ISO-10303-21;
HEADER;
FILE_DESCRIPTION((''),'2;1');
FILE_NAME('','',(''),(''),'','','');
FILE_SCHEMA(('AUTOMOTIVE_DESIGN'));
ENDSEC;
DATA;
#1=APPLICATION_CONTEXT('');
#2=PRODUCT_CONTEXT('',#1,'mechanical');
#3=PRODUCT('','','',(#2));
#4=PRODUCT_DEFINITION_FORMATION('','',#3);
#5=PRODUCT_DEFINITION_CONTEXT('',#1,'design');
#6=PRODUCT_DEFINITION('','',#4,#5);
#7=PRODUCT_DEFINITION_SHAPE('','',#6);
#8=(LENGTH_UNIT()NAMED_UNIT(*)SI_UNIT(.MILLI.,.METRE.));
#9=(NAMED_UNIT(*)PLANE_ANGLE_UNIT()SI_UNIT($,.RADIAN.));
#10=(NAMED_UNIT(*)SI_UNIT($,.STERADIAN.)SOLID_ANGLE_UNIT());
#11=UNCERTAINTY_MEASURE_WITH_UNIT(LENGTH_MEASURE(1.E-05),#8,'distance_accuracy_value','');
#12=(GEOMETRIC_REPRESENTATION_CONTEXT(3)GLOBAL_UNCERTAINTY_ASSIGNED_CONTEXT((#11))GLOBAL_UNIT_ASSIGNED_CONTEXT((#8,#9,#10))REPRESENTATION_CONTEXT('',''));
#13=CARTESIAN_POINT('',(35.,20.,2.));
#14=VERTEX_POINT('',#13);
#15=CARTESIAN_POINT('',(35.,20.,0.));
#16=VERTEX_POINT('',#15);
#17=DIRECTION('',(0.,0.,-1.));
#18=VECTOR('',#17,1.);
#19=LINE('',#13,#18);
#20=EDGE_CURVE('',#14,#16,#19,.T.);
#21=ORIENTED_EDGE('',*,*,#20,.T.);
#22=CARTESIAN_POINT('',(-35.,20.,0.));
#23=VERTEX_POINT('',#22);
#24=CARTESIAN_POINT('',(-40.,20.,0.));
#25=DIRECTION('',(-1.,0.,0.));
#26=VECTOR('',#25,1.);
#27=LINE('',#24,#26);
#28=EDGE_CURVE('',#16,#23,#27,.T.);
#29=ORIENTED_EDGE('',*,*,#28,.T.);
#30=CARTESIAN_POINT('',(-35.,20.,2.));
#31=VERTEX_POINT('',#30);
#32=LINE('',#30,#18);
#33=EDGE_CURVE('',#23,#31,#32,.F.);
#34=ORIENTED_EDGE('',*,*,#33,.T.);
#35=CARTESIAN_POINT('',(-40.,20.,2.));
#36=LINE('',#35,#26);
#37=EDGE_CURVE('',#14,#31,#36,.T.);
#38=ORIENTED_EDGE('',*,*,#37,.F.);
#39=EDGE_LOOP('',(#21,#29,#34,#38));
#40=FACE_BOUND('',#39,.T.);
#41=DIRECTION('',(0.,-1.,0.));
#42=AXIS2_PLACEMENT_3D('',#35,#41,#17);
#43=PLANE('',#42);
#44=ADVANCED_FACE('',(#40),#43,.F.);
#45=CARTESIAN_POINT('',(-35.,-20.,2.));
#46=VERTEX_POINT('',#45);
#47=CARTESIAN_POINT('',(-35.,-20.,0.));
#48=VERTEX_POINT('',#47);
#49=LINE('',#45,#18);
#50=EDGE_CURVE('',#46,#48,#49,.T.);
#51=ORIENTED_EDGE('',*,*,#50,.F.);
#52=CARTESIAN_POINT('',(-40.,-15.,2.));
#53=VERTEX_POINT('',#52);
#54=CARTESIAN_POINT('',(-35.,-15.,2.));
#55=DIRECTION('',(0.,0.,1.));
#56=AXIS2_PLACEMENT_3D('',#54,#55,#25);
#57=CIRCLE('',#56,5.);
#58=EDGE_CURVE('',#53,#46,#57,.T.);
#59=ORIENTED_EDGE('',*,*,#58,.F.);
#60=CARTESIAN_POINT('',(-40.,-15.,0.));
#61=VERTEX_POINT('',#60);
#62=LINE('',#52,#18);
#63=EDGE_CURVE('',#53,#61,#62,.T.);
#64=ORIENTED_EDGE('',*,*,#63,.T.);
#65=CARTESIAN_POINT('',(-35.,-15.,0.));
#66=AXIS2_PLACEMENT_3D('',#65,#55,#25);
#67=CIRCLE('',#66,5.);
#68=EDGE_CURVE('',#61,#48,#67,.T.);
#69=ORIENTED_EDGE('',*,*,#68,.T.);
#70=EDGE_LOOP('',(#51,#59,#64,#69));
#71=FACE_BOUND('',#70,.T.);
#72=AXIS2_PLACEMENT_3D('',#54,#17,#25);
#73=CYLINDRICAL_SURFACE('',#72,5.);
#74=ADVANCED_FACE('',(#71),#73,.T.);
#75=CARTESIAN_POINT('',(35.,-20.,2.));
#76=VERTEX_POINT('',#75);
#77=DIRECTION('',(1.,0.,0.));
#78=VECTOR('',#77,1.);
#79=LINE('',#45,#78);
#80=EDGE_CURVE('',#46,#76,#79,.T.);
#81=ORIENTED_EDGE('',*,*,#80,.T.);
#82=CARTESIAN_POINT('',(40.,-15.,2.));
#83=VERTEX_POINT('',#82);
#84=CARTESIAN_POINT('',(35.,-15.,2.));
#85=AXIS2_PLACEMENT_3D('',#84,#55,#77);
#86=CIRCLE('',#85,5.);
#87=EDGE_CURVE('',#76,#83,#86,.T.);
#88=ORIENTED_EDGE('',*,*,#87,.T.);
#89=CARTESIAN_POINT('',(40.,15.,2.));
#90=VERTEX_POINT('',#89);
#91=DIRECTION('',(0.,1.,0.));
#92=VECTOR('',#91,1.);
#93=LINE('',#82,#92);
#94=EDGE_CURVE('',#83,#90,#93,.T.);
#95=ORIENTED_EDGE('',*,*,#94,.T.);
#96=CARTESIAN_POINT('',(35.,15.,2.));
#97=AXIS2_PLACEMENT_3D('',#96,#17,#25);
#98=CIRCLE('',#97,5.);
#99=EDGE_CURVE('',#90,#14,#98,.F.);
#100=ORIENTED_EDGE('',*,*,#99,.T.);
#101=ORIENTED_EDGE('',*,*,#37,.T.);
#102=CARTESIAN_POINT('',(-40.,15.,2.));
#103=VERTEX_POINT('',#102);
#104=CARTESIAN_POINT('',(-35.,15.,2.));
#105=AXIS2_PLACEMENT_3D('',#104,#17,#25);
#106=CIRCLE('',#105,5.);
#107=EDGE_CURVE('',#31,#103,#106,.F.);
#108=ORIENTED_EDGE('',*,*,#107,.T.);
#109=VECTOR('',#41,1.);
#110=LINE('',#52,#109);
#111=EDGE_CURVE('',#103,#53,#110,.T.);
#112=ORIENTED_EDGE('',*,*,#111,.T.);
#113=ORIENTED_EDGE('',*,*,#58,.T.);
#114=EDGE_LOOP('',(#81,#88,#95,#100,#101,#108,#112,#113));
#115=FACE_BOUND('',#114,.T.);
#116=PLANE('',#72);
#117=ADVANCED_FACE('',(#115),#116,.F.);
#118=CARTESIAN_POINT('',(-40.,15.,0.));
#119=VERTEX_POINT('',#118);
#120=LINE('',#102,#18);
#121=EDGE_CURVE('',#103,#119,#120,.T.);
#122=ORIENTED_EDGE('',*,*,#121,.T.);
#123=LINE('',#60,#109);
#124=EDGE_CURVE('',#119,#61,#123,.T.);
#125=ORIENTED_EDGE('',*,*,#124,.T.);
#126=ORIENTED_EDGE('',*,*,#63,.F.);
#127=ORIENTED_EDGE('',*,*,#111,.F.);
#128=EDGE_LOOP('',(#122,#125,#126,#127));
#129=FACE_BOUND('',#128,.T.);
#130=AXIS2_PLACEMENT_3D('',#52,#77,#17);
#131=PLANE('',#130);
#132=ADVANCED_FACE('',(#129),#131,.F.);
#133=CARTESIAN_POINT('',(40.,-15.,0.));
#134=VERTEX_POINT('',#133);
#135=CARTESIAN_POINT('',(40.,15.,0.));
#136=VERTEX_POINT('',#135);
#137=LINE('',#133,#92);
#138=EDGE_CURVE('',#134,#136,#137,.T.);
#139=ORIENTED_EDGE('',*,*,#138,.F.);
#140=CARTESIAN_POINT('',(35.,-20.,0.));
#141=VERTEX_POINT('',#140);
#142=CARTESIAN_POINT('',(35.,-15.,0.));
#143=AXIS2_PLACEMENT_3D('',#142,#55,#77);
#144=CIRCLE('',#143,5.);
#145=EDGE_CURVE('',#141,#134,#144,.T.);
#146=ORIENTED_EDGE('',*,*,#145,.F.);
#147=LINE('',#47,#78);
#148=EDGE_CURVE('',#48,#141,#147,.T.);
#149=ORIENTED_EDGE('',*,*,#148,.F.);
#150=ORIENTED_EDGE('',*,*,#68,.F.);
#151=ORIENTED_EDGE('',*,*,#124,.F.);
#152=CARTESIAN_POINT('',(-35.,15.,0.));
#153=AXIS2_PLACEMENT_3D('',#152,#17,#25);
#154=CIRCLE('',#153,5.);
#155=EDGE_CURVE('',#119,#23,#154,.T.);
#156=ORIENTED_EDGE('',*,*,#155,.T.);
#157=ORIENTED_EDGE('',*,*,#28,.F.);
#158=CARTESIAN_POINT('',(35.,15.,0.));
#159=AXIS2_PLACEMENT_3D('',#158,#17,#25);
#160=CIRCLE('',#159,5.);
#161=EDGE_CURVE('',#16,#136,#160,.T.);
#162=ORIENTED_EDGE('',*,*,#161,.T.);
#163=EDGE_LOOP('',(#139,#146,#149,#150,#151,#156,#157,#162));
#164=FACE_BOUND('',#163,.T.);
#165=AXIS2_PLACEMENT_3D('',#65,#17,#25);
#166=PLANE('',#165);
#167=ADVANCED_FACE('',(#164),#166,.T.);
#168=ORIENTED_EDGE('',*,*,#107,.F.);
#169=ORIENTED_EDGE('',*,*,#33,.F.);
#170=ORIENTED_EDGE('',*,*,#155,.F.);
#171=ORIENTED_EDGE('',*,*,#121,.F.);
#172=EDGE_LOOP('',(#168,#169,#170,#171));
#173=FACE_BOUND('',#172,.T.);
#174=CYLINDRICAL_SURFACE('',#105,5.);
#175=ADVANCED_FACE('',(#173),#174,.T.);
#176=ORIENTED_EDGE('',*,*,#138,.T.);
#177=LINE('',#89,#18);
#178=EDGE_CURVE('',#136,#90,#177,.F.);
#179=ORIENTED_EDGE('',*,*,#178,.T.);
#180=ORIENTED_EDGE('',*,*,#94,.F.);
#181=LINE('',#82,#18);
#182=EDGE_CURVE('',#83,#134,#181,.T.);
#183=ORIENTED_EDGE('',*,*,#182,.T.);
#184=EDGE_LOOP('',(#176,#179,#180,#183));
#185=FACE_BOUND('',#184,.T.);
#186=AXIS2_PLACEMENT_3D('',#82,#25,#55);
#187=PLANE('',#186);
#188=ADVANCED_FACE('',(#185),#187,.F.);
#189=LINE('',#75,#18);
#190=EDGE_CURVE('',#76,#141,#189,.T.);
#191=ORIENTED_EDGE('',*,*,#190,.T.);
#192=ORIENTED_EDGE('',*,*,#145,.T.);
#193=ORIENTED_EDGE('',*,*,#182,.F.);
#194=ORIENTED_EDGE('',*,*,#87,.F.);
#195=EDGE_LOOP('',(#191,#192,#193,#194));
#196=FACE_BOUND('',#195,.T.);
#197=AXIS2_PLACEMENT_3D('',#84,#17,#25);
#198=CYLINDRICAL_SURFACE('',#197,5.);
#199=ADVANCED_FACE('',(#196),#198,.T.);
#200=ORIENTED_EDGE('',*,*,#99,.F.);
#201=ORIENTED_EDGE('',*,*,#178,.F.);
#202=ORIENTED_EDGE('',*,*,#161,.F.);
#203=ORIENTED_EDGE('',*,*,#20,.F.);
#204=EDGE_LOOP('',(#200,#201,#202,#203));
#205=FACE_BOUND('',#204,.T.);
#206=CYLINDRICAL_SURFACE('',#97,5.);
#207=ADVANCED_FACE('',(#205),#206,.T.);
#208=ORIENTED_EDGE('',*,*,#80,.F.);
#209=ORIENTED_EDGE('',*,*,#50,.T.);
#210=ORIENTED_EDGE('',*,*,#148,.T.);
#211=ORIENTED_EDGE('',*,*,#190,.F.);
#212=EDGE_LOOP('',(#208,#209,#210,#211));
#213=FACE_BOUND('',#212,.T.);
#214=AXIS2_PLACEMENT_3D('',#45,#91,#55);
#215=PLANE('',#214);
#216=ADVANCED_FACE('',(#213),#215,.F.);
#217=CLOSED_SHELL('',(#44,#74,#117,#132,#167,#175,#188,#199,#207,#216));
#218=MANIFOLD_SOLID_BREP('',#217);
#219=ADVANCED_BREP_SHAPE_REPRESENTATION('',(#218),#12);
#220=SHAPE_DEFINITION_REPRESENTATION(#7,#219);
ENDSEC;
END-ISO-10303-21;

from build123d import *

# Parameters (mm, degrees)
EXTRUDE_1_DEPTH = 2
FILLET_1_R      = 5


with BuildPart() as part:
    # Эскиз1 → Бобышка-Вытянуть1 (new body)
    with BuildSketch(Plane.XY):
        with BuildLine():
            Line((-35, -20), (35, -20))
            ThreePointArc((35, -20), (38.535533906, -18.535533906), (40, -15))
            Line((40, -15), (40, 20))
            Line((40, 20), (-40, 20))
            Line((-40, 20), (-40, -15))
            ThreePointArc((-40, -15), (-38.535533906, -18.535533906), (-35, -20))
        make_face()
    extrude(amount=EXTRUDE_1_DEPTH)

    # Скругление1
    fillet_1_edges = [part.edges().sort_by_distance(p)[0] for p in [
        (-40, 20, 1),
        (40, 20, 1),
    ]]
    fillet(fillet_1_edges, radius=FILLET_1_R)


solid = part.part
